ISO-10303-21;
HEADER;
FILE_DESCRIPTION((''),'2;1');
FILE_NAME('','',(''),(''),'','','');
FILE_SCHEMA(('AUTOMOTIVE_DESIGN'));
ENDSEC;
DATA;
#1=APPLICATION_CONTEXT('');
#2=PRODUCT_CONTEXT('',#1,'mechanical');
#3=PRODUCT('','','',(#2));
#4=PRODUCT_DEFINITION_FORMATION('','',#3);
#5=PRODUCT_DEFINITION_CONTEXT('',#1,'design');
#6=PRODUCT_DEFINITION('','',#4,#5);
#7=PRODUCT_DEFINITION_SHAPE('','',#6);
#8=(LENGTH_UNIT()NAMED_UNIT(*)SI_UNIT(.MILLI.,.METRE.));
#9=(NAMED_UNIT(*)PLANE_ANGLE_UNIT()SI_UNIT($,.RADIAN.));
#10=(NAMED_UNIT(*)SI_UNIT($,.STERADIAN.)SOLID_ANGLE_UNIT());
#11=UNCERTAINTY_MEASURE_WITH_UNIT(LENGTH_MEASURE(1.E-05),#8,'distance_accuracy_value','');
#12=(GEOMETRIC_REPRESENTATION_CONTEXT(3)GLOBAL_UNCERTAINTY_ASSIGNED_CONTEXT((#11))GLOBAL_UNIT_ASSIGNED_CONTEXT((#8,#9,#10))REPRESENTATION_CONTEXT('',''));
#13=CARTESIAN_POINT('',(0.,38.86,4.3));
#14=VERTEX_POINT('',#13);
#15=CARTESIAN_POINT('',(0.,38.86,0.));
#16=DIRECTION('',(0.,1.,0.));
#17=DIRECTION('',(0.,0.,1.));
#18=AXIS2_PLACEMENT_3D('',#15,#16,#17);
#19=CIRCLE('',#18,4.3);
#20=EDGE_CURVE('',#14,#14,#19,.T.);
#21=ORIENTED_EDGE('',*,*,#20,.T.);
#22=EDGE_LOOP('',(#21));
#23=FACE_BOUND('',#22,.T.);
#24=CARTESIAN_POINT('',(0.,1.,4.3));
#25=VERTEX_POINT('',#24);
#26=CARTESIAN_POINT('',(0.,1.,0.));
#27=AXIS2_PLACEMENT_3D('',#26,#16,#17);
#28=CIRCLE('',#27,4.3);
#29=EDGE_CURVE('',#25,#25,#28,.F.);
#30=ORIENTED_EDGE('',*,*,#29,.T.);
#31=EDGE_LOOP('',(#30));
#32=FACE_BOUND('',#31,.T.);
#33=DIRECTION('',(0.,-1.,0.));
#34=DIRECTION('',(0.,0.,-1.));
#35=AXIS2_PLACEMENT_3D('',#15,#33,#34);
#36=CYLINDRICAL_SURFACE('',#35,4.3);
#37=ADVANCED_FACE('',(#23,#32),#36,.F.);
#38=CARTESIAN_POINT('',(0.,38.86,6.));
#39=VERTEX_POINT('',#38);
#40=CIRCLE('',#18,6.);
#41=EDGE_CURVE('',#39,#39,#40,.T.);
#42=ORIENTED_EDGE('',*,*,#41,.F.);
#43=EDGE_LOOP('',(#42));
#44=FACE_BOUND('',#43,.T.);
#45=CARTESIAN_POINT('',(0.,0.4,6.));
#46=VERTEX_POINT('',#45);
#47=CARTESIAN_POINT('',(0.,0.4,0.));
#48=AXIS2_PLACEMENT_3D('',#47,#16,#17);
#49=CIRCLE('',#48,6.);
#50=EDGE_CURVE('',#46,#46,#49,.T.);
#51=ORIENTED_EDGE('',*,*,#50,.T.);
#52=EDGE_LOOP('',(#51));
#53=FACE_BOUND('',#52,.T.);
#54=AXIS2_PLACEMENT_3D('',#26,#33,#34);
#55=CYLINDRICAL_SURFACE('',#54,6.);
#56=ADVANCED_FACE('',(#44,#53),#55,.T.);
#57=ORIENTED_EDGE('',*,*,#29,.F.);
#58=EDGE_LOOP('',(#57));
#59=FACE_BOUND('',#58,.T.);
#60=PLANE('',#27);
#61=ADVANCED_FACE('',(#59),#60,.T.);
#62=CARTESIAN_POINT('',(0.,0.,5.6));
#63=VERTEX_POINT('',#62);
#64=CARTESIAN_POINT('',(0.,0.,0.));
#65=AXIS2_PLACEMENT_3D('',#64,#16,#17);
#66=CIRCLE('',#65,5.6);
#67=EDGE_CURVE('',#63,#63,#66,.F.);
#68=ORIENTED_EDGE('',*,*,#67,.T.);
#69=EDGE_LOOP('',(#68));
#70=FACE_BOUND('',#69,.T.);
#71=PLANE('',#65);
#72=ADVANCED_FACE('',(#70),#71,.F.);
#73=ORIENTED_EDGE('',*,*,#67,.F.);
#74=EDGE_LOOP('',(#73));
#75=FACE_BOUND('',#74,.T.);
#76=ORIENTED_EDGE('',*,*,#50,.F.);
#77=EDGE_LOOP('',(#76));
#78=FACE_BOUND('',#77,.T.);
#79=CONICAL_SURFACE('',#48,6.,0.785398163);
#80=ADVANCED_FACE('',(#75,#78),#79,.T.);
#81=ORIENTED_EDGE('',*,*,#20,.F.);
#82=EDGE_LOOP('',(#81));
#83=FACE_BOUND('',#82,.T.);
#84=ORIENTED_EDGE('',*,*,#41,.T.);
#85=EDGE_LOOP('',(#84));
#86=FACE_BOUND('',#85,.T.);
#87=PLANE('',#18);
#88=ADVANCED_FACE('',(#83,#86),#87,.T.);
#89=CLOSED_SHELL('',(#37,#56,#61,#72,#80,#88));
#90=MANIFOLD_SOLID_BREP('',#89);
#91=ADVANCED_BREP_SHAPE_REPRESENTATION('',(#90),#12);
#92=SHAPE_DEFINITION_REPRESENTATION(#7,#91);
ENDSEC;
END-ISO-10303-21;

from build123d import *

# Parameters (mm, degrees)
SKETCH1_R           = 6
BOSS_EXTRUDE1_DEPTH = 1
SKETCH2_R           = 6
SKETCH2_R_2         = 4.3
BOSS_EXTRUDE2_DEPTH = 37.86
CHAMFER1_SIZE       = 0.4


with BuildPart() as part:
    # Sketch1 → Boss-Extrude1 (new body)
    with BuildSketch(Plane(origin=(0, 0, 0), x_dir=(1, 0, 0), z_dir=(0, 1, 0))):
        Circle(SKETCH1_R)
    extrude(amount=BOSS_EXTRUDE1_DEPTH)

    # Sketch2 → Boss-Extrude2 (add)
    with BuildSketch(Plane(origin=(0, 1, 0), x_dir=(1, 0, 0), z_dir=(0, 1, 0))):
        Circle(SKETCH2_R)
        Circle(SKETCH2_R_2, mode=Mode.SUBTRACT)
    extrude(amount=BOSS_EXTRUDE2_DEPTH)

    # Chamfer1
    chamfer1_edges = [part.edges().sort_by_distance(p)[0] for p in [
        (-6, 0, 0),
    ]]
    chamfer(chamfer1_edges, length=CHAMFER1_SIZE)


solid = part.part
